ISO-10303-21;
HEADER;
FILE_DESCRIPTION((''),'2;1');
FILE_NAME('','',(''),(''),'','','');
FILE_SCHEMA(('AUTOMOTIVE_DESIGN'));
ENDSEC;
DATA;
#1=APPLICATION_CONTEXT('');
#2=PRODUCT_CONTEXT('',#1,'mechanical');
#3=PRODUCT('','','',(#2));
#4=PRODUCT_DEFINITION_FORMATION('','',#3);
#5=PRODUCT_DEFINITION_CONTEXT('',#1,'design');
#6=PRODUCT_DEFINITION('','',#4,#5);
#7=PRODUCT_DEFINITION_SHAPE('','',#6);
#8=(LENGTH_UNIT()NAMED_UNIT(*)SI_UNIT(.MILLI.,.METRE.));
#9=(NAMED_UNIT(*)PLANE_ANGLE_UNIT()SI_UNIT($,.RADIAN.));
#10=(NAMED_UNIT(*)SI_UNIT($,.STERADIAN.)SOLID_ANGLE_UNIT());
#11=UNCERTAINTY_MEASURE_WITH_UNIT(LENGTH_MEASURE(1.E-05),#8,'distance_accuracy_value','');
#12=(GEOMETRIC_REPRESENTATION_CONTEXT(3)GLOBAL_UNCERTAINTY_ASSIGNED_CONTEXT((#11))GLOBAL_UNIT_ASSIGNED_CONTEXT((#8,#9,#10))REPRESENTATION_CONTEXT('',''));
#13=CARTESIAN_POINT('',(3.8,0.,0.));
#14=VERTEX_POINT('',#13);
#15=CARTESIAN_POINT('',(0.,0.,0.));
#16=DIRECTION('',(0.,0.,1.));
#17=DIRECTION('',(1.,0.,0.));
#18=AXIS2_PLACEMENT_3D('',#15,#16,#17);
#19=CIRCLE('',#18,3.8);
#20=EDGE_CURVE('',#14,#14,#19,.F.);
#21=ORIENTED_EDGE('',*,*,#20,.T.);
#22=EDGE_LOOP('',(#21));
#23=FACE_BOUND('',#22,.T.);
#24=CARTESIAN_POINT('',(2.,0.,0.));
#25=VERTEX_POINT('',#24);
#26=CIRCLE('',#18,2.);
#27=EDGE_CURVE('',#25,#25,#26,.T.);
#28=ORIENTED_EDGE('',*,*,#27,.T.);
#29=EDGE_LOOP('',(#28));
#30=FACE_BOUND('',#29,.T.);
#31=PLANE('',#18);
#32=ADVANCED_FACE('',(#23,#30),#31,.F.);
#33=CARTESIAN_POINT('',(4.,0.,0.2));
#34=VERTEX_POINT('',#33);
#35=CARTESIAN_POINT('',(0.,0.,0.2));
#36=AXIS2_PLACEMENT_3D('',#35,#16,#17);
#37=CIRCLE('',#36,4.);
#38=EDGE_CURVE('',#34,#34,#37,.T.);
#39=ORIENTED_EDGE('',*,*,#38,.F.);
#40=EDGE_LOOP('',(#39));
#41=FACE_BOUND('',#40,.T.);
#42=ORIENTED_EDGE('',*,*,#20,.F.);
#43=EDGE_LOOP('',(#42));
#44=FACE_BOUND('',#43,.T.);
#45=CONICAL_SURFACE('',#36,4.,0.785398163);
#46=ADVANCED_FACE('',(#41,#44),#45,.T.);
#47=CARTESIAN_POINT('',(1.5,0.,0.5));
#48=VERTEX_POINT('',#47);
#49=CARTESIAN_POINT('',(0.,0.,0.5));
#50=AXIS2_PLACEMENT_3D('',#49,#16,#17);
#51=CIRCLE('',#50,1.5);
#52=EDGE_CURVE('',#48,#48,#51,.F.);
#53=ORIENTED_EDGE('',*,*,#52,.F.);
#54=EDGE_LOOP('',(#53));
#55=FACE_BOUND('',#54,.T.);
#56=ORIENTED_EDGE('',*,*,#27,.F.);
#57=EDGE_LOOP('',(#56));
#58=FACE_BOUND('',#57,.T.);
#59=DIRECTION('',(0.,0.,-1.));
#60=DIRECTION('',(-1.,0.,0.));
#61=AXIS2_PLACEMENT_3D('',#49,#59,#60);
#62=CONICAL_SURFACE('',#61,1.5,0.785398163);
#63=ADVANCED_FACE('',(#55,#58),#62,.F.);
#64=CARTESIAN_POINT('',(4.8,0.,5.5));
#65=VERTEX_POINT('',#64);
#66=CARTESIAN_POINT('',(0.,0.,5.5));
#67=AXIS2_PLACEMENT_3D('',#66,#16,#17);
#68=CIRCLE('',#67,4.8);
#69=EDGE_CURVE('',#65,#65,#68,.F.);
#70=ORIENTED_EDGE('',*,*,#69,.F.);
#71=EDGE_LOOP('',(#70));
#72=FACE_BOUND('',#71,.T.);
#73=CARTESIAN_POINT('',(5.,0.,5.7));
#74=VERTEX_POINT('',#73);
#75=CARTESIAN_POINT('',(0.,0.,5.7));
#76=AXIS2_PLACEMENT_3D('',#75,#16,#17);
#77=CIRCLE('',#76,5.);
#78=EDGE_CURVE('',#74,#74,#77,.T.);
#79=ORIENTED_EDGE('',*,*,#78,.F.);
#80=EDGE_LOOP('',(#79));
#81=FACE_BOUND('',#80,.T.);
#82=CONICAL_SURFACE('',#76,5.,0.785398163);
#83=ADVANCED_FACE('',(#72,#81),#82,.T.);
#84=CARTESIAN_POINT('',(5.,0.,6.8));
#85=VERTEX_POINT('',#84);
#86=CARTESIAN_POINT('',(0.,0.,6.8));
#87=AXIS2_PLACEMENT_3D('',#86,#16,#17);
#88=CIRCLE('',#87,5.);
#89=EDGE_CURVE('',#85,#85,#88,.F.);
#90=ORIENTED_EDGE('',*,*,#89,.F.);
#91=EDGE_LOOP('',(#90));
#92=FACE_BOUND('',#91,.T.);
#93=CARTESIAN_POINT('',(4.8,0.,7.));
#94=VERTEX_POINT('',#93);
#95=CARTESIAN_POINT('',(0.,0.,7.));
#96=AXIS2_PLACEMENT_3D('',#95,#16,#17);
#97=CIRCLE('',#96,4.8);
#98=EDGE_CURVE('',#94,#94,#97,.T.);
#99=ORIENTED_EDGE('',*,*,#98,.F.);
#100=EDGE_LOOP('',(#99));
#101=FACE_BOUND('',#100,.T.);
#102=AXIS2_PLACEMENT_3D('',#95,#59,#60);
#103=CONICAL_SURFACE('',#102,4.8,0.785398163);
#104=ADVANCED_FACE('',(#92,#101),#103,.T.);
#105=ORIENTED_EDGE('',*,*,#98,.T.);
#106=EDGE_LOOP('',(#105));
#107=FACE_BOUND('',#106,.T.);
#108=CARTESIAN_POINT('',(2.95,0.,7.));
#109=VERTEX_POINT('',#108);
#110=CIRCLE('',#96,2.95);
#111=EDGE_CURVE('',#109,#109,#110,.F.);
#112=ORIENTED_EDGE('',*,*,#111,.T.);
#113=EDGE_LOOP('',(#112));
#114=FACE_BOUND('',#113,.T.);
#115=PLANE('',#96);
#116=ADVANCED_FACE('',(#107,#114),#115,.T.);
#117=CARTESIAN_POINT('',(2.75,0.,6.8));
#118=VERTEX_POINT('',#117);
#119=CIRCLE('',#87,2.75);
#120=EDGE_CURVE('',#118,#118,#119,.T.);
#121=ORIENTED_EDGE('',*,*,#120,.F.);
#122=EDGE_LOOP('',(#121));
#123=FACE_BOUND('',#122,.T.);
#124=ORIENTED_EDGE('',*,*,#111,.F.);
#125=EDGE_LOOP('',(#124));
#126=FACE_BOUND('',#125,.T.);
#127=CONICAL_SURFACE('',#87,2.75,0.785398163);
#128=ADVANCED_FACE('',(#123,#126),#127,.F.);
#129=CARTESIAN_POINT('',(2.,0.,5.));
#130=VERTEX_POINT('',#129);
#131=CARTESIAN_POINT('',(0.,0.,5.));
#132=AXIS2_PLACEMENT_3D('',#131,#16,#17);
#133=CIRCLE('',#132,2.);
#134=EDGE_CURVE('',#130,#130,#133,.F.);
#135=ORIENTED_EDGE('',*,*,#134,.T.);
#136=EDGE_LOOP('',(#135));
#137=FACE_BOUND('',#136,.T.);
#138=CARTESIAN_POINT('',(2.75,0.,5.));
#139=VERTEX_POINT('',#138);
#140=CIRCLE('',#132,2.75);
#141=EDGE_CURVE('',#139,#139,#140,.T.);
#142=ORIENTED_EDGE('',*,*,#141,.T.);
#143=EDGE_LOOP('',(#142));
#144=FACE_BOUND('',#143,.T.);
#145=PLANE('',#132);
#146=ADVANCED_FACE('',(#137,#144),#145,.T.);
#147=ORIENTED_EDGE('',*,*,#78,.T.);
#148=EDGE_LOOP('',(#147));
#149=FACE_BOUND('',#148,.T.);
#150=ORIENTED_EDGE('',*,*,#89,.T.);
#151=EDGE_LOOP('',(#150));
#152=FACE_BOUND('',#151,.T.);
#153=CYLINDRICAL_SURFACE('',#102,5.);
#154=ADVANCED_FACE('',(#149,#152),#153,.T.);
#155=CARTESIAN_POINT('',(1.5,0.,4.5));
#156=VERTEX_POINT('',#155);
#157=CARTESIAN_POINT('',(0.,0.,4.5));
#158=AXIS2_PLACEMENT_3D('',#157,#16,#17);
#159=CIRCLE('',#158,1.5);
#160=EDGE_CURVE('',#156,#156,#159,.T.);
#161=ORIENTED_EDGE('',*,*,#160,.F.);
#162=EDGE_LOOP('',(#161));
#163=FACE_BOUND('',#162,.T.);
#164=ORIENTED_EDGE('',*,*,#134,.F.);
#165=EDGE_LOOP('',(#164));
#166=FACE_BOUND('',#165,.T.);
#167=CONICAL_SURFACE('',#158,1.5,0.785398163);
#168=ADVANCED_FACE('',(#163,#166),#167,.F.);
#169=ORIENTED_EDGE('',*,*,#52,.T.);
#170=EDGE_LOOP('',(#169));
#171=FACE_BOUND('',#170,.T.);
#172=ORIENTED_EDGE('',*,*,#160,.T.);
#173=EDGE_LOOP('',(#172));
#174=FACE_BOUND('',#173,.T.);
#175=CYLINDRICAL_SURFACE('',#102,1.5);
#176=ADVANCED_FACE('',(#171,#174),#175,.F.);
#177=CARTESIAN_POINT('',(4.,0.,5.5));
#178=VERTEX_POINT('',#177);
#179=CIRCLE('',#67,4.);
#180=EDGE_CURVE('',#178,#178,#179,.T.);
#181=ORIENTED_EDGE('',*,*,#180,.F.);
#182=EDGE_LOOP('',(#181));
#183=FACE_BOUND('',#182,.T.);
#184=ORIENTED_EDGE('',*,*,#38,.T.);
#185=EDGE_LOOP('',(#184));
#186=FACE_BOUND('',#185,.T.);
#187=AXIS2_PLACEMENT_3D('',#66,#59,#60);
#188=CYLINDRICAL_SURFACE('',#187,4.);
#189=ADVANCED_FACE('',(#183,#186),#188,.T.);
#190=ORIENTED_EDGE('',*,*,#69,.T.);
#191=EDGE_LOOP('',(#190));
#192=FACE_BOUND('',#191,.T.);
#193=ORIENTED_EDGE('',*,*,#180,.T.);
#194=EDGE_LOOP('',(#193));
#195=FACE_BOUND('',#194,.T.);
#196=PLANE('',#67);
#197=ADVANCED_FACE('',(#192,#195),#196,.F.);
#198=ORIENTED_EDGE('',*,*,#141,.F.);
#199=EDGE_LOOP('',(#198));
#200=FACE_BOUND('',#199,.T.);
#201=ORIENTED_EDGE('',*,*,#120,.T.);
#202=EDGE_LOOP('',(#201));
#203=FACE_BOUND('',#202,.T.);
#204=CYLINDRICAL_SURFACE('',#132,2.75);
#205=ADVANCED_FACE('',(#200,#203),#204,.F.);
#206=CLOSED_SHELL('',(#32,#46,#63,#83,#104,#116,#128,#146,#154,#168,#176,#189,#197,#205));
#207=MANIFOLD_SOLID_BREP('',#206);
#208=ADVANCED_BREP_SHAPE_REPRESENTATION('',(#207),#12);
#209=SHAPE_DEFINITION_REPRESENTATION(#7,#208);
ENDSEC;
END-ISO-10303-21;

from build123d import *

# Parameters (mm, degrees)
SKETCH_1_R          = 4
EXTRUDE_1_DEPTH     = 5.5
SKETCH_2_R          = 5
EXTRUDE_2_DEPTH     = 1.5
SKETCH_3_R          = 2.75
CUT_EXTRUDE_1_DEPTH = 2
SKETCH_4_R          = 1.5
CUT_EXTRUDE_2_DEPTH = 8
CHAMFER_1_SIZE      = 0.2
CHAMFER_2_SIZE      = 0.2
CHAMFER_3_SIZE      = 0.2
CHAMFER_4_SIZE      = 0.5


with BuildPart() as part:
    # 草图1 → 拉伸1 (new body)
    with BuildSketch(Plane.XY):
        Circle(SKETCH_1_R)
    extrude(amount=EXTRUDE_1_DEPTH)

    # 草图2 → 拉伸2 (add)
    with BuildSketch(Plane.XY.offset(5.5)):
        Circle(SKETCH_2_R)
    extrude(amount=EXTRUDE_2_DEPTH)

    # 草图3 → 切除-拉伸1 (cut)
    with BuildSketch(Plane.XY.offset(7)):
        Circle(SKETCH_3_R)
    extrude(amount=-CUT_EXTRUDE_1_DEPTH, mode=Mode.SUBTRACT)

    # 草图4 → 切除-拉伸2 (cut, through all)
    with BuildSketch(Plane(origin=(0, 0, 0), x_dir=(-1, 0, 0), z_dir=(0, 0, -1))):
        Circle(SKETCH_4_R)
    extrude(amount=-CUT_EXTRUDE_2_DEPTH, mode=Mode.SUBTRACT)

    # 倒角1
    chamfer_1_edges = [part.edges().sort_by_distance(p)[0] for p in [
        (-5, 0, 5.5),
        (-5, 0, 7),
    ]]
    chamfer(chamfer_1_edges, length=CHAMFER_1_SIZE)

    # 倒角2
    chamfer_2_edges = [part.edges().sort_by_distance(p)[0] for p in [
        (-4, 0, 0),
    ]]
    chamfer(chamfer_2_edges, length=CHAMFER_2_SIZE)

    # 倒角3
    chamfer_3_edges = [part.edges().sort_by_distance(p)[0] for p in [
        (-2.75, 0, 7),
    ]]
    chamfer(chamfer_3_edges, length=CHAMFER_3_SIZE)

    # 倒角4
    chamfer_4_edges = [part.edges().sort_by_distance(p)[0] for p in [
        (1.5, 0, 5),
        (1.5, 0, 0),
    ]]
    chamfer(chamfer_4_edges, length=CHAMFER_4_SIZE)


solid = part.part
